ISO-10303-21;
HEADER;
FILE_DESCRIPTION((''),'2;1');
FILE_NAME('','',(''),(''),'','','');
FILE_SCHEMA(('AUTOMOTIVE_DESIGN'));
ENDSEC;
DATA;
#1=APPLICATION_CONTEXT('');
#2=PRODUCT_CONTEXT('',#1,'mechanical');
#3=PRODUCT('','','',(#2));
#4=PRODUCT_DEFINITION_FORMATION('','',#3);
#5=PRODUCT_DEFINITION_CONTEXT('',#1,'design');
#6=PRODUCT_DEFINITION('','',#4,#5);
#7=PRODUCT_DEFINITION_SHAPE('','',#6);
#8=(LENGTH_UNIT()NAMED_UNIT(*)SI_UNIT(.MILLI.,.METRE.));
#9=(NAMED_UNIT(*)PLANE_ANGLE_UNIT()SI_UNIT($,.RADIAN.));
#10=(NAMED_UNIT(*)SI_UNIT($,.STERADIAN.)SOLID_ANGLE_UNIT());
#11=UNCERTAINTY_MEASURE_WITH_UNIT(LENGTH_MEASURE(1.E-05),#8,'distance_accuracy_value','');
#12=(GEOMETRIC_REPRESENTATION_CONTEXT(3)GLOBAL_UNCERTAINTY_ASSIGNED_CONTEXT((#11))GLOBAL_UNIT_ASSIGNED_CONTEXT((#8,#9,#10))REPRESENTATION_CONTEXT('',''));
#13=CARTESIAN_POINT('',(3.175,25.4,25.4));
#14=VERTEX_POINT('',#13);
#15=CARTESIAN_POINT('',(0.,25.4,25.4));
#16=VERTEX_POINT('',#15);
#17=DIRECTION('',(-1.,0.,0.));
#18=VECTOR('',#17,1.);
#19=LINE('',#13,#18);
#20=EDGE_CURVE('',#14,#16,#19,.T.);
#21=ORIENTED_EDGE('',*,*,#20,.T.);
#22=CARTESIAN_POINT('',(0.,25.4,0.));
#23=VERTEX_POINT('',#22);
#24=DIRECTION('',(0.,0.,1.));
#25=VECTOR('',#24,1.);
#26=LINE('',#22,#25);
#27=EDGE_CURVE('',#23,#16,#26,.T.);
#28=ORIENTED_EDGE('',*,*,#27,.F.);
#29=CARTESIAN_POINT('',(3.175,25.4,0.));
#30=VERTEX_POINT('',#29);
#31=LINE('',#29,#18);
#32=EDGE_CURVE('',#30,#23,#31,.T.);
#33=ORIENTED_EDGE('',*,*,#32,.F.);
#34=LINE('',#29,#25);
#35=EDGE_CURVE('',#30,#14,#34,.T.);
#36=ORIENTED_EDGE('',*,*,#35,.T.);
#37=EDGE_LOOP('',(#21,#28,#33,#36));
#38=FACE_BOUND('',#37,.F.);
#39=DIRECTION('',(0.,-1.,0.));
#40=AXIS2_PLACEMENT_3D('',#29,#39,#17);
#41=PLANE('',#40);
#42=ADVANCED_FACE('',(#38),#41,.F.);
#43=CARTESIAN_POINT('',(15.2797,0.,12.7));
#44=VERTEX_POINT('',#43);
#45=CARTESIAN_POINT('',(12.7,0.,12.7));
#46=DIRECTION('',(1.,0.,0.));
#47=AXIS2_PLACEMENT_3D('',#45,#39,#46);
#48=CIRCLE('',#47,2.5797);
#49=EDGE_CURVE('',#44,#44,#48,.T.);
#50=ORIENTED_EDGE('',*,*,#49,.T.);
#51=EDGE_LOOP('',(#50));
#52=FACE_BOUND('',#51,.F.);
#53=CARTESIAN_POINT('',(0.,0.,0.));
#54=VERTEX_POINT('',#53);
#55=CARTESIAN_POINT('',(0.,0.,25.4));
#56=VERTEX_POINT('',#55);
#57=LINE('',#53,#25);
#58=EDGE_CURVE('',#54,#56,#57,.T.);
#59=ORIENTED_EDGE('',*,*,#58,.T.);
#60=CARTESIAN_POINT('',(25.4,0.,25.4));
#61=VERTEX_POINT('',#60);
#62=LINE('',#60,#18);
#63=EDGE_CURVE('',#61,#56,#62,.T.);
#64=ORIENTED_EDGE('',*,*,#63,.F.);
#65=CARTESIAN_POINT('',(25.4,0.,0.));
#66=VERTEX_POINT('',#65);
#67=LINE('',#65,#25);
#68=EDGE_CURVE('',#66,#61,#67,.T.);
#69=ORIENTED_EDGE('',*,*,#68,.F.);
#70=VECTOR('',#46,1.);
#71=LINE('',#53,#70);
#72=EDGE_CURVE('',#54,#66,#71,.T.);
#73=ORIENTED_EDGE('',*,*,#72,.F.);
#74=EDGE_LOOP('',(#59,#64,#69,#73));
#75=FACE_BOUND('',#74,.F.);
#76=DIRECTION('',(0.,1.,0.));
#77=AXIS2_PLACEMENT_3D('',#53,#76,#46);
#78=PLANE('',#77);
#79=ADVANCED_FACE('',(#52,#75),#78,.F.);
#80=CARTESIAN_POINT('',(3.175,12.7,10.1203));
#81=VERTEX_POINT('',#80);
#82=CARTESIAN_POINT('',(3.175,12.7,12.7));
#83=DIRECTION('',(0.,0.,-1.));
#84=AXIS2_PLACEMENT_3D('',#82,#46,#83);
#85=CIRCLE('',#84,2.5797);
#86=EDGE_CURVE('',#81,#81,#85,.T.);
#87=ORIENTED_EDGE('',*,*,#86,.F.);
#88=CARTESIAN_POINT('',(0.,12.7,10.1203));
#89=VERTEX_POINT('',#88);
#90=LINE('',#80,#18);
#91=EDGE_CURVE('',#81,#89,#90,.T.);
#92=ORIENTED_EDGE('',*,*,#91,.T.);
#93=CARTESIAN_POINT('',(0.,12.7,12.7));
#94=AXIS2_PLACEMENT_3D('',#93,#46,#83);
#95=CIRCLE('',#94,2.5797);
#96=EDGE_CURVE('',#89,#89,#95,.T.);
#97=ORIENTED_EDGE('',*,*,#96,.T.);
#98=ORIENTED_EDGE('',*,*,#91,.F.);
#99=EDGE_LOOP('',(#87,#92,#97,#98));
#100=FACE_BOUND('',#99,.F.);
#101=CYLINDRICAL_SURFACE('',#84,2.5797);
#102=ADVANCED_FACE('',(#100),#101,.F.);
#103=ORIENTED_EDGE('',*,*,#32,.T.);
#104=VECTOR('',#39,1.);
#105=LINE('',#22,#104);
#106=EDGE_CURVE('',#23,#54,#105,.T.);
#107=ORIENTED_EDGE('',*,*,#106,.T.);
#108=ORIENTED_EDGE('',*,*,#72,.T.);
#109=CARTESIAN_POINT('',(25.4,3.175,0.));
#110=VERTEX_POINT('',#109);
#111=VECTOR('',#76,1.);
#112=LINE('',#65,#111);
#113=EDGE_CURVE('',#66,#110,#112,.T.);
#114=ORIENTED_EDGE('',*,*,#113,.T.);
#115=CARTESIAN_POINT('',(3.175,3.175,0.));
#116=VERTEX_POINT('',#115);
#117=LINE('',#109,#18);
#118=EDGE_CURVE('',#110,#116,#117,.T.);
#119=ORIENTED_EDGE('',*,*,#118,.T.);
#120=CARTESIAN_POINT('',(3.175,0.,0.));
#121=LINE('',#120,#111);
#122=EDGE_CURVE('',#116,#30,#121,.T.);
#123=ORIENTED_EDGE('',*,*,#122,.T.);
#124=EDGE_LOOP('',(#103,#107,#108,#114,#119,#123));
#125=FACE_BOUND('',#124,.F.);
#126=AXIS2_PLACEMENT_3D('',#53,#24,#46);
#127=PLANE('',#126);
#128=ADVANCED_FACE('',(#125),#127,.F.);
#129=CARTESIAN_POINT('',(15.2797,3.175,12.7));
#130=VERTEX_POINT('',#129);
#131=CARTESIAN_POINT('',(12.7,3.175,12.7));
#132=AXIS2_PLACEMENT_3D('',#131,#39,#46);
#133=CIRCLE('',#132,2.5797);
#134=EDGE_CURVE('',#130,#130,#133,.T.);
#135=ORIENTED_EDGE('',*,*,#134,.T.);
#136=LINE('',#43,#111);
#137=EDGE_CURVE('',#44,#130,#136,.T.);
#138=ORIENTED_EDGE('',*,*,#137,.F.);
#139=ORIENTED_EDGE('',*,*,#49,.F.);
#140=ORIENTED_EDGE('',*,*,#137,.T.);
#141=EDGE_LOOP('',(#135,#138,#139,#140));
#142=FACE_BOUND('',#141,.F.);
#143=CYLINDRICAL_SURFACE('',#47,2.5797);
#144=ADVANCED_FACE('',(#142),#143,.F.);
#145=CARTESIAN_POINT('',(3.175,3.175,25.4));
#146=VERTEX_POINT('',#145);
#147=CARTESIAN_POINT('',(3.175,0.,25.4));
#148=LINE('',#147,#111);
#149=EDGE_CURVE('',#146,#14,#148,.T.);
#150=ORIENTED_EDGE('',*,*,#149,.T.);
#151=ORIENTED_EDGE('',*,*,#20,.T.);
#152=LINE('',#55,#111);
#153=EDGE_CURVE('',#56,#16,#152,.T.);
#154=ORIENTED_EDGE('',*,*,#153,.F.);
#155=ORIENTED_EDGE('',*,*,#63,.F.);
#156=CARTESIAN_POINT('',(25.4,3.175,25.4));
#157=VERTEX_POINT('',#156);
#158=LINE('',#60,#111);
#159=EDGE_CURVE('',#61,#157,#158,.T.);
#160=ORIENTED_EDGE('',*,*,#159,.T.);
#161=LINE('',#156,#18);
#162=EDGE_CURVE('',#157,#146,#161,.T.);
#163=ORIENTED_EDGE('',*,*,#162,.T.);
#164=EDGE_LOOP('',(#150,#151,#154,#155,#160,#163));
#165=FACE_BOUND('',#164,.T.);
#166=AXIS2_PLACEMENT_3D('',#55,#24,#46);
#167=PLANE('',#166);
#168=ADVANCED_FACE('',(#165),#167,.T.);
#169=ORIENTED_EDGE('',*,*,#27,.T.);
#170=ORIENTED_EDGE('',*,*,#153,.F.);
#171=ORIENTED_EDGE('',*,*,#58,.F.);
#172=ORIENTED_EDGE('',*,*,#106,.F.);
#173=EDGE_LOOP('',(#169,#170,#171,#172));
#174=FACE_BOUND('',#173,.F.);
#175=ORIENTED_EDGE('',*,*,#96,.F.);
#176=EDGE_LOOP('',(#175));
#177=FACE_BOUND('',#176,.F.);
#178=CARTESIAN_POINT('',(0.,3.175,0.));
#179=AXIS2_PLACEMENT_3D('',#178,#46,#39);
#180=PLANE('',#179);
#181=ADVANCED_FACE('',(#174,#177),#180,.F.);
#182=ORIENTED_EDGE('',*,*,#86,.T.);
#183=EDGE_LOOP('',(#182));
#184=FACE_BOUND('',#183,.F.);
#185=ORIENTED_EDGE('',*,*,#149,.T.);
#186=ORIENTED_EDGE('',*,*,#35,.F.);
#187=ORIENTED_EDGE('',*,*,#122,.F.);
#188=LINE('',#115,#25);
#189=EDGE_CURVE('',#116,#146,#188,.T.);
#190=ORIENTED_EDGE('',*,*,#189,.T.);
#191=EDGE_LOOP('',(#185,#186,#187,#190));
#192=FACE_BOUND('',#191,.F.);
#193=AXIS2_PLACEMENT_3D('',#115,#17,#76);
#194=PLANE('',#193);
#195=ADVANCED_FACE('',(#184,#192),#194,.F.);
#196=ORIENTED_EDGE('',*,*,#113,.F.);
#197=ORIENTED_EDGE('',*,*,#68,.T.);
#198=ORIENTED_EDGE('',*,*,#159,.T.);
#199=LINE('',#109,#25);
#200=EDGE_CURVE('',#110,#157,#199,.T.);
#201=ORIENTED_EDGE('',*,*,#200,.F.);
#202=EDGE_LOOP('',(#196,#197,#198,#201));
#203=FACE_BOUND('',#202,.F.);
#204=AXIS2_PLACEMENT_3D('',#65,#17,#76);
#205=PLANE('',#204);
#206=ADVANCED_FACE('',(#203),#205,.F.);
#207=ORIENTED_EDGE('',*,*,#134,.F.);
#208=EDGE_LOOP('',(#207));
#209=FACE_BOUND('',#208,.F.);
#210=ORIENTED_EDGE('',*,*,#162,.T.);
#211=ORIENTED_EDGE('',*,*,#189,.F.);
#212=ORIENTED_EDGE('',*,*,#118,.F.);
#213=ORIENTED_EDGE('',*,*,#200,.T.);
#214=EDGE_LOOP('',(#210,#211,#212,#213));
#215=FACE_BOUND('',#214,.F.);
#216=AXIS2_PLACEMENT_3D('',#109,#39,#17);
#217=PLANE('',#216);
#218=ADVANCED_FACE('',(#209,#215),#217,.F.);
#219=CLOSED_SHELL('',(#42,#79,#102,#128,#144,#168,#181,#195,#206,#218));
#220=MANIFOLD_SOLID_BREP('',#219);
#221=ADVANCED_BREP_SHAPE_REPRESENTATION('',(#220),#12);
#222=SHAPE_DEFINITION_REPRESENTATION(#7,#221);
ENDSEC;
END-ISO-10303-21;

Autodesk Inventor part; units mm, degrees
ref_plane "YZ Plane" through (0, 0, 0) normal (1, 0, 0) x (0, 1, 0)
ref_plane "XZ Plane" through (0, 0, 0) normal (0, 1, 0) x (-1, 0, 0)
ref_plane "XY Plane" through (0, 0, 0) normal (0, 0, 1) x (1, 0, 0)
sketch "Sketch1" plane through (0, 0, 0) normal (0, 0, 1) x (1, 0, 0)
  line L0 (0, 0) -> (3.175, 0)
  line L1 (3.175, 0) -> (3.175, 25.4)
  line L2 (3.175, 25.4) -> (0, 25.4)
  line L3 (0, 25.4) -> (0, 0)
  line L4 (0, 0) -> (25.4, 0)
  line L5 (25.4, 0) -> (25.4, 3.175)
  line L6 (25.4, 3.175) -> (0, 3.175)
  line L7 (0, 3.175) -> (0, 0)
  dimension "d0" = 3.175
  dimension "d1" = 25.4
  dimension "d2" = 25.4
  dimension "d3" = 3.175
extrude "Extrusion1" add sketch "Sketch1" along normal blind 25.4
sketch "Sketch2" plane through (3.175, 3.175, 0) normal (1, 0, 0) x (0, 0, -1)
  line L0 (0, 22.225) -> (-25.4, 22.225) construction
  line L1 (-12.7, 22.225) -> (-12.7, 9.525) construction
  circle A0 centre (-12.7, 9.525) radius 2.5797
  point P0 (0, -3.175)
  dimension "d6" = 12.7
  dimension "d7" = 5.1594
extrude "Extrusion2" cut sketch "Sketch2" against normal blind 25.4
sketch "Sketch3" plane through (0, 0, 0) normal (0, -1, 0) x (1, 0, 0)
  line L0 (25.4, 0) -> (25.4, 25.4) construction
  line L1 (25.4, 12.7) -> (12.7, 12.7) construction
  circle A0 centre (12.7, 12.7) radius 2.5797
  point P0 (0, 0)
  dimension "d10" = 12.7
  dimension "d11" = 5.1594
extrude "Extrusion3" cut sketch "Sketch3" against normal blind 25.4
properties part number "L-Bracket"
